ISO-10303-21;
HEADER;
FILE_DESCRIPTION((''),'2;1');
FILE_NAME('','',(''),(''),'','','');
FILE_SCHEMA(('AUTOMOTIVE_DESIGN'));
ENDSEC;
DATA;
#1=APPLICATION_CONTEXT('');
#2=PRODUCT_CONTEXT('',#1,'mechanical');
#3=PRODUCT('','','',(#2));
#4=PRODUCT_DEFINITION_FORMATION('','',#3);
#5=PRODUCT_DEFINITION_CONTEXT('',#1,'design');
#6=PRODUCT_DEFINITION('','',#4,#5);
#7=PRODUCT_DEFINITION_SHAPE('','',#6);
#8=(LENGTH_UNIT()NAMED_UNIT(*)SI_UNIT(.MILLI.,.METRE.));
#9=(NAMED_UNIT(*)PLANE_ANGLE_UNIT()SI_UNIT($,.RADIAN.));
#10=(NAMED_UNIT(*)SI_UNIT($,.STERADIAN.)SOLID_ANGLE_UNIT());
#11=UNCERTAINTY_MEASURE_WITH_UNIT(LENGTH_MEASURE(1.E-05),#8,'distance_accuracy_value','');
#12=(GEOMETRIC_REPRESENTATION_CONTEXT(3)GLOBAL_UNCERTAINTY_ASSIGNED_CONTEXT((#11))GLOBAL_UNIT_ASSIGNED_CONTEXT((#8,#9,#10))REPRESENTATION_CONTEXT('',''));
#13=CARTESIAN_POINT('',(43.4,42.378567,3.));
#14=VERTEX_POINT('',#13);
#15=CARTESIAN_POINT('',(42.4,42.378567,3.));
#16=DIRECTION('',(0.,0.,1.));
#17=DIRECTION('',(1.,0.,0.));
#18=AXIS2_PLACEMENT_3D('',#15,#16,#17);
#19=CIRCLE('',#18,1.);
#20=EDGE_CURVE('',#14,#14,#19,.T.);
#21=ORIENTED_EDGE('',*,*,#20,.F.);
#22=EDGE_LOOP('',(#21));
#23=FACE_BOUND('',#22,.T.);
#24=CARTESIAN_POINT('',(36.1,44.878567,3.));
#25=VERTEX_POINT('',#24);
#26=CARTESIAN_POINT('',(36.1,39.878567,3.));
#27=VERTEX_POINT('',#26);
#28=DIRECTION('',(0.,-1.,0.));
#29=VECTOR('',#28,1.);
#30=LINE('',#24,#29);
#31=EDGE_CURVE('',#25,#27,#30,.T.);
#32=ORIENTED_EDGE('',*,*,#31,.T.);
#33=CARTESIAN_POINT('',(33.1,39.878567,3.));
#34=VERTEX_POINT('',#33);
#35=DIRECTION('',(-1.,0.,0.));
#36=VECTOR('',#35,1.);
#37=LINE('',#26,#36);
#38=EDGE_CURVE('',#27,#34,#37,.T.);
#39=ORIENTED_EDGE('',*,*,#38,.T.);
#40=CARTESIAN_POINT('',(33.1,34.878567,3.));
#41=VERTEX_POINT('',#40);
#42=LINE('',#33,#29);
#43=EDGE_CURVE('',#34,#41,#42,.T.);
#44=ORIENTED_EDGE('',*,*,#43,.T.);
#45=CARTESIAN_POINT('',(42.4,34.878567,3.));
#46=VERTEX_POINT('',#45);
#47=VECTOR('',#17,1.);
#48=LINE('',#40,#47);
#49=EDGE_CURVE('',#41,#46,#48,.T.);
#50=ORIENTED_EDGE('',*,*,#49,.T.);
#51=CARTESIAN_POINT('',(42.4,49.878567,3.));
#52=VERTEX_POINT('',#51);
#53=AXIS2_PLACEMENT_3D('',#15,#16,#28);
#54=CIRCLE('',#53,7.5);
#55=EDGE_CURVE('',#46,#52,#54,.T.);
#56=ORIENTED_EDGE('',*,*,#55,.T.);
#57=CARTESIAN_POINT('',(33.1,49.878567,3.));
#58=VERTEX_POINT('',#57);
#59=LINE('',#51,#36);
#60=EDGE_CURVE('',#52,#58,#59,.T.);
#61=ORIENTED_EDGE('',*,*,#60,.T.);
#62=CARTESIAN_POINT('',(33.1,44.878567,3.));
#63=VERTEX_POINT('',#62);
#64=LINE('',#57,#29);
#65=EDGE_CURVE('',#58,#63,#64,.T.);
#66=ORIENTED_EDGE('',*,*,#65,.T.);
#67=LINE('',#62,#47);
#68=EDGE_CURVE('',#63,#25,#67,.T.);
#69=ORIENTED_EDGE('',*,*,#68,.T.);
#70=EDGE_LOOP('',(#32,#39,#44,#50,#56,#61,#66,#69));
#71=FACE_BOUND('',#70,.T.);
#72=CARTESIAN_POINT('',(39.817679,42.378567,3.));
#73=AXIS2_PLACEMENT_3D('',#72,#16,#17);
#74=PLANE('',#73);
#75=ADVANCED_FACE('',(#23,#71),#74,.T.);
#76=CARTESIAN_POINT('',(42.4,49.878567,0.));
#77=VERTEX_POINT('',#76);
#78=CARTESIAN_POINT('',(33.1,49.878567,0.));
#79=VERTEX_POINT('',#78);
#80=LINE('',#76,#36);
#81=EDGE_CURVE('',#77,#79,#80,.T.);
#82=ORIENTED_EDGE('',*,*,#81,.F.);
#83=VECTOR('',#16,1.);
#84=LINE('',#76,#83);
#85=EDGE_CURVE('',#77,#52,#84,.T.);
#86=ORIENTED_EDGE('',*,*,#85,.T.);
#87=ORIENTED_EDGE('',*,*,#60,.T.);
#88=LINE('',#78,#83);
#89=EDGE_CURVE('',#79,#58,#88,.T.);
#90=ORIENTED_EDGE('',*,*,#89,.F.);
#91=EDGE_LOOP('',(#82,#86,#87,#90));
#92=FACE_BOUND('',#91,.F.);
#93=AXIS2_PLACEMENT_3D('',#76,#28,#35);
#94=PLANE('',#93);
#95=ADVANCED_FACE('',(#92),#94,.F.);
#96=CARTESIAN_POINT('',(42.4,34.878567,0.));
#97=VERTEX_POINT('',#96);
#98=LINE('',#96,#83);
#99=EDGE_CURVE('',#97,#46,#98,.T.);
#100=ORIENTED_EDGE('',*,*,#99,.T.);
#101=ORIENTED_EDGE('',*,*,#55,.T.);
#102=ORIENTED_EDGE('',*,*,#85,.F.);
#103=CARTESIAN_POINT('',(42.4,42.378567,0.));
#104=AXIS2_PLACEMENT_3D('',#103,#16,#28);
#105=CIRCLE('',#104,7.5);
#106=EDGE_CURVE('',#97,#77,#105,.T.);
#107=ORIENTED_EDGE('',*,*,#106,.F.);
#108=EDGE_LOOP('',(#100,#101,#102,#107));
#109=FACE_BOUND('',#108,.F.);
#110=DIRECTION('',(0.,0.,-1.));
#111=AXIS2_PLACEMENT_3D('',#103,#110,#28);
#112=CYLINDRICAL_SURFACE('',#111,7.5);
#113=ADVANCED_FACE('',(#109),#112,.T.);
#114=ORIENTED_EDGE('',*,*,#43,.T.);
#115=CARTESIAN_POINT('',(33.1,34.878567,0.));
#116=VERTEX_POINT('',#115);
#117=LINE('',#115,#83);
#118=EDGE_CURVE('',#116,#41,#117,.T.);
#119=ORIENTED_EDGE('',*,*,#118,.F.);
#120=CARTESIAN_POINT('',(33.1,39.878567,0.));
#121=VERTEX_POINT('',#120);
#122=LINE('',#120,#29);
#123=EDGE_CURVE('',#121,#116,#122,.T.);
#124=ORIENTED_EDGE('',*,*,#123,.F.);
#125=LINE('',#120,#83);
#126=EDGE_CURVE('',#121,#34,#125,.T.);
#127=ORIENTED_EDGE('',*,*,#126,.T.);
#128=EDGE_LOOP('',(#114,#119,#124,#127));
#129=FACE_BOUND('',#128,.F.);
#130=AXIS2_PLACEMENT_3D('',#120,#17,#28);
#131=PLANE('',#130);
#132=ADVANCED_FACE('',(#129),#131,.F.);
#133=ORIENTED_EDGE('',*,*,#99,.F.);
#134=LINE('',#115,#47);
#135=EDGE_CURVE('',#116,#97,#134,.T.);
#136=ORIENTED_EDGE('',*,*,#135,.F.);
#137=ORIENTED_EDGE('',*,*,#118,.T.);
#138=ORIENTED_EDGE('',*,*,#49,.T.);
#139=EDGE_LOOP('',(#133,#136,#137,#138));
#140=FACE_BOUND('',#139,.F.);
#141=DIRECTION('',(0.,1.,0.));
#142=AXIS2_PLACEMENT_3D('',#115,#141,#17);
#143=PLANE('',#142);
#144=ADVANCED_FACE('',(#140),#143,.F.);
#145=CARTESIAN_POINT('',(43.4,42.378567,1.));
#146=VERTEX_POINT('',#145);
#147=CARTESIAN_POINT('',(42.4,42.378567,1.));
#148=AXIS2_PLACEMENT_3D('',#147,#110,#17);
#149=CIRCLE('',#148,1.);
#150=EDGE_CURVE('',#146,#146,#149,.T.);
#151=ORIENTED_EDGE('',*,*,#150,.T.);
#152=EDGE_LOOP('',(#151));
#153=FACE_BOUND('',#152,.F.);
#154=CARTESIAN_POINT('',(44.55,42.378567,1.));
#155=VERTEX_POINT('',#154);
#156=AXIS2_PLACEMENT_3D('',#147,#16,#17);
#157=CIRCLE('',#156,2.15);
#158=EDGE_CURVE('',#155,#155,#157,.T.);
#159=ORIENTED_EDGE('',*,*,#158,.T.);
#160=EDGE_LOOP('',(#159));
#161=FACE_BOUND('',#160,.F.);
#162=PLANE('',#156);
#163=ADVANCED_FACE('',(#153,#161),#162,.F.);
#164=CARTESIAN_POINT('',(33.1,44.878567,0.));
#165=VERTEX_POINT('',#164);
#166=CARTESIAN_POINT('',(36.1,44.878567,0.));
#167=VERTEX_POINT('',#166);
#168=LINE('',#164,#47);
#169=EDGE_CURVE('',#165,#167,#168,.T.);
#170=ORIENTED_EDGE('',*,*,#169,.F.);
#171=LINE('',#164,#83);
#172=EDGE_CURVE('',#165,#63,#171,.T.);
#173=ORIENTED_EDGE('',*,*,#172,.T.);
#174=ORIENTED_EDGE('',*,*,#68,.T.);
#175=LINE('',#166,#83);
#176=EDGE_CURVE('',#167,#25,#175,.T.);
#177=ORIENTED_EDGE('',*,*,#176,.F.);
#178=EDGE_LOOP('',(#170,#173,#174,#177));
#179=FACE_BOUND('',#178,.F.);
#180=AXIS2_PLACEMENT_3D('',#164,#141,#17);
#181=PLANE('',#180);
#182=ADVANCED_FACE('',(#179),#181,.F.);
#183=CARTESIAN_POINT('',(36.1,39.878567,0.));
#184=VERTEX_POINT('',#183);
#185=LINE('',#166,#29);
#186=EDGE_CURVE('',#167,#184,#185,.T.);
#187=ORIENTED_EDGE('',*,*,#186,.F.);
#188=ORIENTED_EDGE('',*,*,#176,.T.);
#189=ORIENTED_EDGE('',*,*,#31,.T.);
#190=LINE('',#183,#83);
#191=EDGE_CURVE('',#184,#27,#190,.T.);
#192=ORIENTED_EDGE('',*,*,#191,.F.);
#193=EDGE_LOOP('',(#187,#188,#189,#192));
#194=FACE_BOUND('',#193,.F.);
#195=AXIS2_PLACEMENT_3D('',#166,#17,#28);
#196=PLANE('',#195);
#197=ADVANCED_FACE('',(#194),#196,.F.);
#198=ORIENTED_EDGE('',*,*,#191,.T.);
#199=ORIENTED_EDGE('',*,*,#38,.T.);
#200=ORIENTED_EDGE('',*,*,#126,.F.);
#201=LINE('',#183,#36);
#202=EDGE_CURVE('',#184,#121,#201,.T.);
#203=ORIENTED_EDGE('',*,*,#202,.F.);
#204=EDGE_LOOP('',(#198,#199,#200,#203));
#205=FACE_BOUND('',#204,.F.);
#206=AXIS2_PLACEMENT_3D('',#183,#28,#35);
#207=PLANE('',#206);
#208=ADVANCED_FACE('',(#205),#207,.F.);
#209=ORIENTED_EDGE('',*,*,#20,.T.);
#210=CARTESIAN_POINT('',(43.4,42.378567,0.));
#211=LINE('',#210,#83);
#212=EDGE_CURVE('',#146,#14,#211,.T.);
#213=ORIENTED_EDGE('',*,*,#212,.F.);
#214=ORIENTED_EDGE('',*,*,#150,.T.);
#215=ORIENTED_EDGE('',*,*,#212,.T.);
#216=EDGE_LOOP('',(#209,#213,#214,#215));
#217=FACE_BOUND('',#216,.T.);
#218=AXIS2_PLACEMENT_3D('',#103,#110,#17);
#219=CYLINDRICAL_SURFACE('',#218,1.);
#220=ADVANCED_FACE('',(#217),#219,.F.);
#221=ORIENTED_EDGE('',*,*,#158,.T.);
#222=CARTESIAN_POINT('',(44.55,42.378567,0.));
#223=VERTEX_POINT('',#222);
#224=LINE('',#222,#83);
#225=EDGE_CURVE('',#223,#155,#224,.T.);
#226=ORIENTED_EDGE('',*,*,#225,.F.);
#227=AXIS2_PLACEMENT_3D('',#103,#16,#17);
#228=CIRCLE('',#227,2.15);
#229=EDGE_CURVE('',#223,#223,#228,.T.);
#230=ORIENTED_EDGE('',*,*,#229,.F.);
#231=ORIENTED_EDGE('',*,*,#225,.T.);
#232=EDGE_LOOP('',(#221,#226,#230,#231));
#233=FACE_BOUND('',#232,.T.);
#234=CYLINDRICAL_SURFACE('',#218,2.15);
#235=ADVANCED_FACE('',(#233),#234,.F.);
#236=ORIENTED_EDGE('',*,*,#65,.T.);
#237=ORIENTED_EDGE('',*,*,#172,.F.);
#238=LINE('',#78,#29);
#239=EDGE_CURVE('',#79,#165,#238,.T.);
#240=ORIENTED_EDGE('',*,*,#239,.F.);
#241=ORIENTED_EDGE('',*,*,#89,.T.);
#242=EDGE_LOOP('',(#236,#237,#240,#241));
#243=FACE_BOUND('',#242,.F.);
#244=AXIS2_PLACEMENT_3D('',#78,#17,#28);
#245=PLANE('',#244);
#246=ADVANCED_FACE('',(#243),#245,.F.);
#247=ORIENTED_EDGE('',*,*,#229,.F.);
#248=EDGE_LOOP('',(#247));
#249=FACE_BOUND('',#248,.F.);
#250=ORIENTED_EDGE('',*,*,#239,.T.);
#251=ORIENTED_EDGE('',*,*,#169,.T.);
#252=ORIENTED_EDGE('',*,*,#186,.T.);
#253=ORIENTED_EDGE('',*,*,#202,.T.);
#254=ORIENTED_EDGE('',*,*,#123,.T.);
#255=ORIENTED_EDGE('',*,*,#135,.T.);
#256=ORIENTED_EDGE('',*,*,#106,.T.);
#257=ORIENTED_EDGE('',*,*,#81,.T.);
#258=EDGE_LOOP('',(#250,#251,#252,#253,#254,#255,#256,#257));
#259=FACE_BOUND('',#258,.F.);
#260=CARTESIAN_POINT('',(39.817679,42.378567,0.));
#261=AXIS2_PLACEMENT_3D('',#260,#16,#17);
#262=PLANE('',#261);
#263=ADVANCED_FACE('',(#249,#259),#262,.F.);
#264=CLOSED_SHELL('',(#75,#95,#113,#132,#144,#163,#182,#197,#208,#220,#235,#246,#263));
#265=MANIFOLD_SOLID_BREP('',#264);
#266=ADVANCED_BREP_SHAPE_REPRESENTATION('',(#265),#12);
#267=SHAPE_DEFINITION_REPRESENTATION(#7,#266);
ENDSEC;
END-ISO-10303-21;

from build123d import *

# Parameters (mm, degrees)
CORTE_EXTERIOR_R        = 1
SALIENTE_EXTRUIR1_DEPTH = 3
GRABADO_SUPERFICIE_R    = 2.15
CORTAR_EXTRUIR1_DEPTH   = 1


with BuildPart() as part:
    # Corte exterior → Saliente-Extruir1 (new body)
    with BuildSketch(Plane.XY):
        with BuildLine():
            Line((42.4, 49.878566683), (33.1, 49.878566683))
            Line((33.1, 49.878566683), (33.1, 44.878566683))
            Line((33.1, 44.878566683), (36.1, 44.878566683))
            Line((36.1, 44.878566683), (36.1, 39.878566683))
            Line((36.1, 39.878566683), (33.1, 39.878566683))
            Line((33.1, 39.878566683), (33.1, 34.878566683))
            Line((33.1, 34.878566683), (42.4, 34.878566683))
            ThreePointArc((42.4, 34.878566683), (49.9, 42.378566683), (42.4, 49.878566683))
        make_face()
        with Locations((42.4, 42.378566683)):
            Circle(CORTE_EXTERIOR_R, mode=Mode.SUBTRACT)
    extrude(amount=SALIENTE_EXTRUIR1_DEPTH)

    # Grabado Superficie → Cortar-Extruir1 (cut)
    with BuildSketch(Plane.XY):
        with Locations((42.4, 42.378566683)):
            Circle(GRABADO_SUPERFICIE_R)
    extrude(amount=CORTAR_EXTRUIR1_DEPTH, mode=Mode.SUBTRACT)


solid = part.part
